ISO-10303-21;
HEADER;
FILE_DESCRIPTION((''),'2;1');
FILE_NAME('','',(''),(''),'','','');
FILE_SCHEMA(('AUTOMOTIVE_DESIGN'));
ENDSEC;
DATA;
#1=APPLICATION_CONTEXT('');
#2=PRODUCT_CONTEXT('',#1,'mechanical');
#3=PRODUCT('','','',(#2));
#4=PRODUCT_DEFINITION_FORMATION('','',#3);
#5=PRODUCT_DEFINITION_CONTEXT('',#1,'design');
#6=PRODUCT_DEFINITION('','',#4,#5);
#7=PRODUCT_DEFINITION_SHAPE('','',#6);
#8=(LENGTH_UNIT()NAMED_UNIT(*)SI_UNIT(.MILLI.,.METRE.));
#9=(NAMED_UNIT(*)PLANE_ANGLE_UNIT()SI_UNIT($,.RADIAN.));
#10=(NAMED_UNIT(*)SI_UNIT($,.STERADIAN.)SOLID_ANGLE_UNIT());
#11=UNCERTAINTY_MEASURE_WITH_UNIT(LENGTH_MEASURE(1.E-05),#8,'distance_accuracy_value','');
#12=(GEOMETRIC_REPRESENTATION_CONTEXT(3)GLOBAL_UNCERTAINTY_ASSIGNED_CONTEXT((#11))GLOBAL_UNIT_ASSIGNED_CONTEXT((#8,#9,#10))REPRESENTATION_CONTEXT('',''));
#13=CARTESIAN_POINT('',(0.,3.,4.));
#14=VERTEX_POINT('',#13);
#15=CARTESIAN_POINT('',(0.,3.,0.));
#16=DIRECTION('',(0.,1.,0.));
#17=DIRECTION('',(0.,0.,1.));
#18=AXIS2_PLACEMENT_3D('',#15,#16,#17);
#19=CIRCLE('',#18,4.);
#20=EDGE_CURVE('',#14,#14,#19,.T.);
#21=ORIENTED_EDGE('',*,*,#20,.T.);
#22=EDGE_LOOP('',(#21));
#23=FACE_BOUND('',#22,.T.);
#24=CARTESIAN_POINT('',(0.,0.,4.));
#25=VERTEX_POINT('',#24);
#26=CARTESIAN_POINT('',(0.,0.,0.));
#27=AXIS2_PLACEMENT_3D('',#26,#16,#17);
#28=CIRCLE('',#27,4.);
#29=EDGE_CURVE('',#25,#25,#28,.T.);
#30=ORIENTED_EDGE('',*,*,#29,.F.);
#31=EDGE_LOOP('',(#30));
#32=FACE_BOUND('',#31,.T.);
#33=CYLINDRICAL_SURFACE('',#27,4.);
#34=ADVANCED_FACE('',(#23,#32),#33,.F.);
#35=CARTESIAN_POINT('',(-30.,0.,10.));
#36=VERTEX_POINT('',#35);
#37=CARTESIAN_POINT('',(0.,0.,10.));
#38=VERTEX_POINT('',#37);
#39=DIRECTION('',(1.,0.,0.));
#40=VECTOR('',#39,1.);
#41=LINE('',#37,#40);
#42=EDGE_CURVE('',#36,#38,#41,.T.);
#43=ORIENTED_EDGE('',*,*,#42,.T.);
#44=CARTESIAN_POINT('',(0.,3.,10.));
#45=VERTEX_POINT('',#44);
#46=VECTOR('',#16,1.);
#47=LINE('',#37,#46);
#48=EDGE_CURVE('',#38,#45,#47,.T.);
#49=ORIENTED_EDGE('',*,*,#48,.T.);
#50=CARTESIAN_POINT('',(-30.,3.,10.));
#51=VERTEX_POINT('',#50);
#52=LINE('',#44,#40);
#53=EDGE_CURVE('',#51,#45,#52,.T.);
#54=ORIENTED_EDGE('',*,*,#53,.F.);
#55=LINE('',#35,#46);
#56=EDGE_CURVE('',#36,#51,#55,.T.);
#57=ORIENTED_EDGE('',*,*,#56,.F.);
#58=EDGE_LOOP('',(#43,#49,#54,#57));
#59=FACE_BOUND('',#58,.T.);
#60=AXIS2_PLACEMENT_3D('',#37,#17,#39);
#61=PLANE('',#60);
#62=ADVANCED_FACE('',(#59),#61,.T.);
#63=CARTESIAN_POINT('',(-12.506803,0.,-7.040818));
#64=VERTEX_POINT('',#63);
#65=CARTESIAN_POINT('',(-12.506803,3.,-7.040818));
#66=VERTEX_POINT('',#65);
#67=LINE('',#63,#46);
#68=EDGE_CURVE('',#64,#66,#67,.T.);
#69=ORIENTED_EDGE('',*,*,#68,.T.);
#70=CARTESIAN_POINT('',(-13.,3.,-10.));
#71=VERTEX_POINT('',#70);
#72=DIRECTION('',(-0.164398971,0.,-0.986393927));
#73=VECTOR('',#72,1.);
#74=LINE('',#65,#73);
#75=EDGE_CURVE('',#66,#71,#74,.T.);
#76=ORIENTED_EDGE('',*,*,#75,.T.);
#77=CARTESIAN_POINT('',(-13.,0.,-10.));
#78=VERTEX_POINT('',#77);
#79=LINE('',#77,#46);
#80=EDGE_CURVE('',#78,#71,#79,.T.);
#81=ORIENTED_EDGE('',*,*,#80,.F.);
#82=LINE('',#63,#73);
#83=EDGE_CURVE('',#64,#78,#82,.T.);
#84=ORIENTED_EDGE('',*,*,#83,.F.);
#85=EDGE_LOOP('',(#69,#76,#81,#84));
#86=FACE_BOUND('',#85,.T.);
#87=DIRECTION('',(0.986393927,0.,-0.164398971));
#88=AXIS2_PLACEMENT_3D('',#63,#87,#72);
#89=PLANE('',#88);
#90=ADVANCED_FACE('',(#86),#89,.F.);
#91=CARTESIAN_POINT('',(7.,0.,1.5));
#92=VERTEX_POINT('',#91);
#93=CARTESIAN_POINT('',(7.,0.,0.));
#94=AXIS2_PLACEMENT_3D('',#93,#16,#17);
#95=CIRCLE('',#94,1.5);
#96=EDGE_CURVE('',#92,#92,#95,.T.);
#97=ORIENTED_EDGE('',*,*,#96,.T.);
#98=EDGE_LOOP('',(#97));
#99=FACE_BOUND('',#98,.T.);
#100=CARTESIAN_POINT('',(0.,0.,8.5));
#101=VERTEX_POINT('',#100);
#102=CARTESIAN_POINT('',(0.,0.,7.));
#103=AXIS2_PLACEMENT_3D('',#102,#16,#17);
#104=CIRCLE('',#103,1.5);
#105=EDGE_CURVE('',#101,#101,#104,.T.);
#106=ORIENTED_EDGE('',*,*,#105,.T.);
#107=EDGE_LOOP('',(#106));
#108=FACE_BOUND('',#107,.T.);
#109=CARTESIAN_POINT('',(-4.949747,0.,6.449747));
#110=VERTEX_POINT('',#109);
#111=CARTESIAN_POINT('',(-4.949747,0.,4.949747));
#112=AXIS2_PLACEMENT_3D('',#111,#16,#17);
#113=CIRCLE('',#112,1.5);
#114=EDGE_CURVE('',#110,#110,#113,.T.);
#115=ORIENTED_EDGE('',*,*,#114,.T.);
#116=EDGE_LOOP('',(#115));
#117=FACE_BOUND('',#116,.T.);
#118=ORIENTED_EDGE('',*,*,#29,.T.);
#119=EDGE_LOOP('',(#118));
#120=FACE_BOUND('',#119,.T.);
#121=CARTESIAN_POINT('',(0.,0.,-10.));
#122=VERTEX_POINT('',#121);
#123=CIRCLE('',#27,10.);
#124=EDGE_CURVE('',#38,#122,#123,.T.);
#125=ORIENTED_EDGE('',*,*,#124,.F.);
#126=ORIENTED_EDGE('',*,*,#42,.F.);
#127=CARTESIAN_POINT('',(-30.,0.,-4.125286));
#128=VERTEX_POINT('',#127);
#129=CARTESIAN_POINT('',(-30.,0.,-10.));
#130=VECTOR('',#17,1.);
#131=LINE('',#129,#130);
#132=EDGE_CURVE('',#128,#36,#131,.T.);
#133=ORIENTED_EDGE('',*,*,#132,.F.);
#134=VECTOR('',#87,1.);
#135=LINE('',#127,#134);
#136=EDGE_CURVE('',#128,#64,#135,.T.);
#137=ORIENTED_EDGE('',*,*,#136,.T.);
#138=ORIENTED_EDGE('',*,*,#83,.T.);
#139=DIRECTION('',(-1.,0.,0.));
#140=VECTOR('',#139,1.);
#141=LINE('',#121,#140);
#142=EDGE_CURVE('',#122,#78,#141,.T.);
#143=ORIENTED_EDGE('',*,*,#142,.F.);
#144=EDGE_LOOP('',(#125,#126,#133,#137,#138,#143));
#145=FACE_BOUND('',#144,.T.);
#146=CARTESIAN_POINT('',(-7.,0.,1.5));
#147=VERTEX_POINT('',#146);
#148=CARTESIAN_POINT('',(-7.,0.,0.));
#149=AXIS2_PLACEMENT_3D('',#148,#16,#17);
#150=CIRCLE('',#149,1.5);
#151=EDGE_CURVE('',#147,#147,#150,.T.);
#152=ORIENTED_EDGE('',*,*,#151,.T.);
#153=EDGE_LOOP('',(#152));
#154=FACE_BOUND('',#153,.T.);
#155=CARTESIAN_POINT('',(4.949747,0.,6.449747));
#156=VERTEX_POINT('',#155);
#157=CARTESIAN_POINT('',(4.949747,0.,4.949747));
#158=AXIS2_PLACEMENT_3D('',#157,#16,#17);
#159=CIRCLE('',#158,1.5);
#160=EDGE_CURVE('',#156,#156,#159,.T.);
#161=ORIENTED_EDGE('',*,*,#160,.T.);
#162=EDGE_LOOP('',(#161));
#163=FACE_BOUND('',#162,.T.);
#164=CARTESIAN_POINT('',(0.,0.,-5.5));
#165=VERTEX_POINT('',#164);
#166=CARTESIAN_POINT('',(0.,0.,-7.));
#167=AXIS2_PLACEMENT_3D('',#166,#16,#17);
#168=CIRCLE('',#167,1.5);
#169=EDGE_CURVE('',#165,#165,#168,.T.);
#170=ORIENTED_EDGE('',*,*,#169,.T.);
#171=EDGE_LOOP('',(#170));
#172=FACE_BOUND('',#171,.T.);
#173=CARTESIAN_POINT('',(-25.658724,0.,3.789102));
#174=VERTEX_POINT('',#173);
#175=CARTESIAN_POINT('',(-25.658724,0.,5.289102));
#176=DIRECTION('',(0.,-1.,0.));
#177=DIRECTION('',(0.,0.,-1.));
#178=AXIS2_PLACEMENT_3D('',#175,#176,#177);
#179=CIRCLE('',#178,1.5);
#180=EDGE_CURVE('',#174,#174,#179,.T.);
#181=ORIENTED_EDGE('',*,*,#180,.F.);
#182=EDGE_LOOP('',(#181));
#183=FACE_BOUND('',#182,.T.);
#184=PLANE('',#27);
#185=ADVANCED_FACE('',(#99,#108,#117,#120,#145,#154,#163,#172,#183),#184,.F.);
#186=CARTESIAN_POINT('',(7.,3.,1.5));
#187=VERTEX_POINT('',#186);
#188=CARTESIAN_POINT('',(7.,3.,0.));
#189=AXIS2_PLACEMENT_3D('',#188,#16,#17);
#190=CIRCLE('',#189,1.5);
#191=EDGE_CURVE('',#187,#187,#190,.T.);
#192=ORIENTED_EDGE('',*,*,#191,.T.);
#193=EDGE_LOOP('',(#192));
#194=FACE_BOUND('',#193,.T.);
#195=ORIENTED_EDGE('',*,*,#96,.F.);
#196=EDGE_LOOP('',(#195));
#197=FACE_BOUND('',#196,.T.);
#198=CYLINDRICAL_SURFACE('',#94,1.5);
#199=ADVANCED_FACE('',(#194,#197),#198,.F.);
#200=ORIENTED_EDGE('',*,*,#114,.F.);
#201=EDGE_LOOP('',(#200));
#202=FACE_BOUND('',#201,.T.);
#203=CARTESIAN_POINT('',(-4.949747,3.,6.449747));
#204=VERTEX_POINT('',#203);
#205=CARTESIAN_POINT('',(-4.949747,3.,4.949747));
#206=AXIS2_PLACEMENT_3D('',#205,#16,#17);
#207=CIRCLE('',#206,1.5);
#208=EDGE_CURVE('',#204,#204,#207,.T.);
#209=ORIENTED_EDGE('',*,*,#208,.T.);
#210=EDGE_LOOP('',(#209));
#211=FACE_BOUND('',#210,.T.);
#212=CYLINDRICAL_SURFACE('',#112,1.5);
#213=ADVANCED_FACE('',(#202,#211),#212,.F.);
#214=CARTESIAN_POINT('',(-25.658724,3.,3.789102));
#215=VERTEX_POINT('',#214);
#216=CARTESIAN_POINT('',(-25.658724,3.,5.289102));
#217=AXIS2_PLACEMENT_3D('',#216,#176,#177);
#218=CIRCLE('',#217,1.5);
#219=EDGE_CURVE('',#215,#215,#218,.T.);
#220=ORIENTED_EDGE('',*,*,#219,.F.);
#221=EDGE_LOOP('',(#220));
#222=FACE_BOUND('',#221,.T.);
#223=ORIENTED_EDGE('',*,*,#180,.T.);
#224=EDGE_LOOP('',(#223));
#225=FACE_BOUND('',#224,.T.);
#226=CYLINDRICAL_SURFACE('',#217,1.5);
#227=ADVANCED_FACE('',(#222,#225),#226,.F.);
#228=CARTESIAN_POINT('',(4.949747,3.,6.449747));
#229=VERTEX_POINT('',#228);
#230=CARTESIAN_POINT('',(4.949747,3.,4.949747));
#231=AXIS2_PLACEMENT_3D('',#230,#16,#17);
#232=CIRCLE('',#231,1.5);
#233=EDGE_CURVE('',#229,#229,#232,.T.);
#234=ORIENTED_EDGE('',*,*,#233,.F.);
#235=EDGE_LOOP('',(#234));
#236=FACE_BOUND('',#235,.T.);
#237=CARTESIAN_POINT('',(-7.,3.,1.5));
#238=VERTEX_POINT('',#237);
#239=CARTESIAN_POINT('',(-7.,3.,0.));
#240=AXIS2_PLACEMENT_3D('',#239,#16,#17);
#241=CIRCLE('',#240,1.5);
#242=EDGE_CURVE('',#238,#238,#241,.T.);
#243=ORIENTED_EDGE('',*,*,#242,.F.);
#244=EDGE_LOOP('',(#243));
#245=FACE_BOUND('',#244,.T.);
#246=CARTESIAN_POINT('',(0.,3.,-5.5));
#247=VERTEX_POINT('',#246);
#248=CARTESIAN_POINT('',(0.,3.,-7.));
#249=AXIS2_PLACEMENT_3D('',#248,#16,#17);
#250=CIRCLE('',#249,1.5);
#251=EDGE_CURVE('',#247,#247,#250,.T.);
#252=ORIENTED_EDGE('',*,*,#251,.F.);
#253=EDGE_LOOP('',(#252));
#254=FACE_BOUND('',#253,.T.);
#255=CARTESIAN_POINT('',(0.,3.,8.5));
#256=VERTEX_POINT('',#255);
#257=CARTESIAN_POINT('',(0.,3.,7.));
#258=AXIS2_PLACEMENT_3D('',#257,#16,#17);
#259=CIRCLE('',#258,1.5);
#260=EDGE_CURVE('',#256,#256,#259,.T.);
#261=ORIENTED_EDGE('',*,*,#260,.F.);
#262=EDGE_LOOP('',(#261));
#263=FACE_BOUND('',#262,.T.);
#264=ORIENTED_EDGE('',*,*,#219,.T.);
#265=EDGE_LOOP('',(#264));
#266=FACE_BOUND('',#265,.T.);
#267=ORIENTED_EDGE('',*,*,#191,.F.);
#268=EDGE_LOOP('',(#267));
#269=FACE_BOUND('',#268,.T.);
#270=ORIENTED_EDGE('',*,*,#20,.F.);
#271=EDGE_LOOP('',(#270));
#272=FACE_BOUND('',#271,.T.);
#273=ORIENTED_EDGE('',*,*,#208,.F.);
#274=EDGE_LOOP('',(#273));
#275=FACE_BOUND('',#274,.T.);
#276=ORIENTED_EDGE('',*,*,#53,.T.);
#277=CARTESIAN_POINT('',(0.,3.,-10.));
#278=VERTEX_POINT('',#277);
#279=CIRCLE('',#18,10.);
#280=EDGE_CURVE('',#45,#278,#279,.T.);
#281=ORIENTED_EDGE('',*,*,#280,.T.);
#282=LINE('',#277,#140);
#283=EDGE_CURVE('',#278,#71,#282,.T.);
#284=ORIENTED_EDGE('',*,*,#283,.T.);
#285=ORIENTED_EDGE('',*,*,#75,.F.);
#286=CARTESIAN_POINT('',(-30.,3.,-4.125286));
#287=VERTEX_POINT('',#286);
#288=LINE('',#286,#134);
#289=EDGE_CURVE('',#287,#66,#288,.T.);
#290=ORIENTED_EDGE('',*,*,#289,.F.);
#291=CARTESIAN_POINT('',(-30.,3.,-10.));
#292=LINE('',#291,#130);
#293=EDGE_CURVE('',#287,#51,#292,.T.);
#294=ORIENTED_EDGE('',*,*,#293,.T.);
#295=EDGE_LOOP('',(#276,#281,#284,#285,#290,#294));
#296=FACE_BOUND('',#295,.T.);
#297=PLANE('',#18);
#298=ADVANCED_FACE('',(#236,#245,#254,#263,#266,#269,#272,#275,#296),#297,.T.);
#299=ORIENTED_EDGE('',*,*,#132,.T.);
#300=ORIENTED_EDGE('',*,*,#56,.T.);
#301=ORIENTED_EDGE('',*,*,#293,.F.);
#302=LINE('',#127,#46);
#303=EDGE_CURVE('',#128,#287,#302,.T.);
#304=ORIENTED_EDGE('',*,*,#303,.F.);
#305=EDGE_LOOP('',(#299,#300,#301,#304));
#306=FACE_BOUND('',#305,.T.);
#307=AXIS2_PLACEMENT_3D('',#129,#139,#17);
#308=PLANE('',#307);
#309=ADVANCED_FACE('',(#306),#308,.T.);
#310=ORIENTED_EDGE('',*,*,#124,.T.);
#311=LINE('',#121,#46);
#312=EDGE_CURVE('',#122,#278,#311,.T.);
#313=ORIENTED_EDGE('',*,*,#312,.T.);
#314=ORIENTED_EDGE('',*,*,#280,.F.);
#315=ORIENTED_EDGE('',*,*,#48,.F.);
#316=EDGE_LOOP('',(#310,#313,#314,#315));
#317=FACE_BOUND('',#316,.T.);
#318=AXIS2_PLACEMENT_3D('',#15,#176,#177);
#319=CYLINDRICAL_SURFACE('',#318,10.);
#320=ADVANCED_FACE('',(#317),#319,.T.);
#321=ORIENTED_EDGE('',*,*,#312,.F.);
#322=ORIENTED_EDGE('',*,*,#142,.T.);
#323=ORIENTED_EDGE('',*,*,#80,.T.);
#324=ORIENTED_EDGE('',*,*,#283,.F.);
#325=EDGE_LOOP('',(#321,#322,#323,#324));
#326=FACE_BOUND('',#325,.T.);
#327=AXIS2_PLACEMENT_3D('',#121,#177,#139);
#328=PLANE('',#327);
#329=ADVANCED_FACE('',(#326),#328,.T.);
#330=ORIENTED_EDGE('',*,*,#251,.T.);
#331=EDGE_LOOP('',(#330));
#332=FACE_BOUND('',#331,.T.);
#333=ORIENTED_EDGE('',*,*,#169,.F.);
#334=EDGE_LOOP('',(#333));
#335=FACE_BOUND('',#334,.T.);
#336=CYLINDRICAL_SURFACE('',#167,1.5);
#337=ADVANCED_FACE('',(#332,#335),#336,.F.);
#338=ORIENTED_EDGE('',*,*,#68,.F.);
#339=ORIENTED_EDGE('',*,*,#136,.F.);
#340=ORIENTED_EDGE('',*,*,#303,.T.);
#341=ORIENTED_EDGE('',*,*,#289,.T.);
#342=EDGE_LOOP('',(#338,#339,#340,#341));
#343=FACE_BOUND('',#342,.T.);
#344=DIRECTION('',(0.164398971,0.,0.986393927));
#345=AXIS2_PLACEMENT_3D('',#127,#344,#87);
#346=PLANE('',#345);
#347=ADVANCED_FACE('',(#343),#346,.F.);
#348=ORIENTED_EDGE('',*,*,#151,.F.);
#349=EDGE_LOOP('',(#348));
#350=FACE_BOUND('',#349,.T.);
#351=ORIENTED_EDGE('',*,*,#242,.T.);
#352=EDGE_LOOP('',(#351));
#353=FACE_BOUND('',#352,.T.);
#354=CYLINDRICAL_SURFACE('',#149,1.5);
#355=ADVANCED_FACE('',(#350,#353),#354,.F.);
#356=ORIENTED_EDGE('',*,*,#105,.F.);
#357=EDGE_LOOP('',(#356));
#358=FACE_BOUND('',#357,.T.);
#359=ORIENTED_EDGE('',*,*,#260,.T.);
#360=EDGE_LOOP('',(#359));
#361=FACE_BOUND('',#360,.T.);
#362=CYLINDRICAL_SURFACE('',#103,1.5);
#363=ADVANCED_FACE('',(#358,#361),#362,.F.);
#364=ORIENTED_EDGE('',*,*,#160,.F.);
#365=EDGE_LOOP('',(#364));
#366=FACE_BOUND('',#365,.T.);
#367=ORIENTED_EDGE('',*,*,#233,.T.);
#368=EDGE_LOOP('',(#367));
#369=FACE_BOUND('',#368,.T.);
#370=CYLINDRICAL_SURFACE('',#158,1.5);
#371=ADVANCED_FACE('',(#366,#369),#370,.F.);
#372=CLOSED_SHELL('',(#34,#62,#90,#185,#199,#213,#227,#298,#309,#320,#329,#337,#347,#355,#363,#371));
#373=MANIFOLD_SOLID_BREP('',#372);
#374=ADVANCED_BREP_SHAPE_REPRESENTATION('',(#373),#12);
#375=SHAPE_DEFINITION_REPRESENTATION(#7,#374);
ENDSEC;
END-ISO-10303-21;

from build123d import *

# Parameters (mm, degrees)
SKETCH_1_R          = 10
EXTRUDE_1_DEPTH     = 3
SKETCH_2_R          = 4
CUT_EXTRUDE_1_DEPTH = 15.456832295
SKETCH_3_R          = 1.5
CUT_EXTRUDE_2_DEPTH = 15.456832295
EXTRUDE_START       = -3
EXTRUDE_3_DEPTH     = 3
CUT_EXTRUDE_3_DEPTH = 32.764760349
SKETCH_10_R         = 1.5
CUT_EXTRUDE_6_DEPTH = 32.764760349


with BuildPart() as part:
    # 草图1 → 凸台-拉伸1 (new body)
    with BuildSketch(Plane(origin=(0, 0, 0), x_dir=(1, 0, 0), z_dir=(0, 1, 0))):
        with Locations(Location((0, 0, 0), (0, 0, 270))):
            Circle(SKETCH_1_R)
    extrude(amount=EXTRUDE_1_DEPTH)

    # 草图2 → 切除-拉伸1 (cut, through all)
    with BuildSketch(Plane(origin=(0, 3, 0), x_dir=(1, 0, 0), z_dir=(0, 1, 0))):
        with Locations(Location((0, 0, 0), (0, 0, 270))):
            Circle(SKETCH_2_R)
    extrude(amount=-CUT_EXTRUDE_1_DEPTH, mode=Mode.SUBTRACT)

    # 草图3 → 切除-拉伸2 (cut, through all)
    with BuildSketch(Plane(origin=(0, 3, 0), x_dir=(1, 0, 0), z_dir=(0, 1, 0))):
        with Locations(Location((7, 0, 0), (0, 0, 270))):
            Circle(SKETCH_3_R)
        with Locations(Location((4.949747468, -4.949747468, 0), (0, 0, 270))):
            Circle(SKETCH_3_R)
        with Locations(Location((0, -7, 0), (0, 0, 270))):
            Circle(SKETCH_3_R)
        with Locations(Location((-4.949747468, -4.949747468, 0), (0, 0, 270))):
            Circle(SKETCH_3_R)
        with Locations(Location((-7, 0, 0), (0, 0, 270))):
            Circle(SKETCH_3_R)
        with Locations(Location((0, 7, 0), (0, 0, 270))):
            Circle(SKETCH_3_R)
    extrude(amount=-CUT_EXTRUDE_2_DEPTH, mode=Mode.SUBTRACT)

    # 草图6 → 凸台-拉伸3 (add)
    with BuildSketch(Plane(origin=(0, 3, 0), x_dir=(1, 0, 0), z_dir=(0, 1, 0)).offset(EXTRUDE_START)):
        with BuildLine():
            Line((0, 10), (-30, 10))
            Line((-30, 10), (-30, -10))
            Line((-30, -10), (0, -10))
            ThreePointArc((0, -10), (-10, 0), (0, 10))
        make_face()
    extrude(amount=EXTRUDE_3_DEPTH)

    # 草图7 → 切除-拉伸3 (cut, through all)
    with BuildSketch(Plane(origin=(0, 3, 0), x_dir=(1, 0, 0), z_dir=(0, 1, 0))):
        Polygon((-30, 4.125285706), (-12.506803088, 7.04081822), (-13, 10), (-30, 10), align=None)
    extrude(amount=-CUT_EXTRUDE_3_DEPTH, mode=Mode.SUBTRACT)

    # 草图10 → 切除-拉伸6 (cut, through all)
    with BuildSketch(Plane.XZ):
        with Locations(Location((-25.658723667, 5.289102386, 0), (0, 0, 270))):
            Circle(SKETCH_10_R)
    extrude(amount=-CUT_EXTRUDE_6_DEPTH, mode=Mode.SUBTRACT)


solid = part.part
